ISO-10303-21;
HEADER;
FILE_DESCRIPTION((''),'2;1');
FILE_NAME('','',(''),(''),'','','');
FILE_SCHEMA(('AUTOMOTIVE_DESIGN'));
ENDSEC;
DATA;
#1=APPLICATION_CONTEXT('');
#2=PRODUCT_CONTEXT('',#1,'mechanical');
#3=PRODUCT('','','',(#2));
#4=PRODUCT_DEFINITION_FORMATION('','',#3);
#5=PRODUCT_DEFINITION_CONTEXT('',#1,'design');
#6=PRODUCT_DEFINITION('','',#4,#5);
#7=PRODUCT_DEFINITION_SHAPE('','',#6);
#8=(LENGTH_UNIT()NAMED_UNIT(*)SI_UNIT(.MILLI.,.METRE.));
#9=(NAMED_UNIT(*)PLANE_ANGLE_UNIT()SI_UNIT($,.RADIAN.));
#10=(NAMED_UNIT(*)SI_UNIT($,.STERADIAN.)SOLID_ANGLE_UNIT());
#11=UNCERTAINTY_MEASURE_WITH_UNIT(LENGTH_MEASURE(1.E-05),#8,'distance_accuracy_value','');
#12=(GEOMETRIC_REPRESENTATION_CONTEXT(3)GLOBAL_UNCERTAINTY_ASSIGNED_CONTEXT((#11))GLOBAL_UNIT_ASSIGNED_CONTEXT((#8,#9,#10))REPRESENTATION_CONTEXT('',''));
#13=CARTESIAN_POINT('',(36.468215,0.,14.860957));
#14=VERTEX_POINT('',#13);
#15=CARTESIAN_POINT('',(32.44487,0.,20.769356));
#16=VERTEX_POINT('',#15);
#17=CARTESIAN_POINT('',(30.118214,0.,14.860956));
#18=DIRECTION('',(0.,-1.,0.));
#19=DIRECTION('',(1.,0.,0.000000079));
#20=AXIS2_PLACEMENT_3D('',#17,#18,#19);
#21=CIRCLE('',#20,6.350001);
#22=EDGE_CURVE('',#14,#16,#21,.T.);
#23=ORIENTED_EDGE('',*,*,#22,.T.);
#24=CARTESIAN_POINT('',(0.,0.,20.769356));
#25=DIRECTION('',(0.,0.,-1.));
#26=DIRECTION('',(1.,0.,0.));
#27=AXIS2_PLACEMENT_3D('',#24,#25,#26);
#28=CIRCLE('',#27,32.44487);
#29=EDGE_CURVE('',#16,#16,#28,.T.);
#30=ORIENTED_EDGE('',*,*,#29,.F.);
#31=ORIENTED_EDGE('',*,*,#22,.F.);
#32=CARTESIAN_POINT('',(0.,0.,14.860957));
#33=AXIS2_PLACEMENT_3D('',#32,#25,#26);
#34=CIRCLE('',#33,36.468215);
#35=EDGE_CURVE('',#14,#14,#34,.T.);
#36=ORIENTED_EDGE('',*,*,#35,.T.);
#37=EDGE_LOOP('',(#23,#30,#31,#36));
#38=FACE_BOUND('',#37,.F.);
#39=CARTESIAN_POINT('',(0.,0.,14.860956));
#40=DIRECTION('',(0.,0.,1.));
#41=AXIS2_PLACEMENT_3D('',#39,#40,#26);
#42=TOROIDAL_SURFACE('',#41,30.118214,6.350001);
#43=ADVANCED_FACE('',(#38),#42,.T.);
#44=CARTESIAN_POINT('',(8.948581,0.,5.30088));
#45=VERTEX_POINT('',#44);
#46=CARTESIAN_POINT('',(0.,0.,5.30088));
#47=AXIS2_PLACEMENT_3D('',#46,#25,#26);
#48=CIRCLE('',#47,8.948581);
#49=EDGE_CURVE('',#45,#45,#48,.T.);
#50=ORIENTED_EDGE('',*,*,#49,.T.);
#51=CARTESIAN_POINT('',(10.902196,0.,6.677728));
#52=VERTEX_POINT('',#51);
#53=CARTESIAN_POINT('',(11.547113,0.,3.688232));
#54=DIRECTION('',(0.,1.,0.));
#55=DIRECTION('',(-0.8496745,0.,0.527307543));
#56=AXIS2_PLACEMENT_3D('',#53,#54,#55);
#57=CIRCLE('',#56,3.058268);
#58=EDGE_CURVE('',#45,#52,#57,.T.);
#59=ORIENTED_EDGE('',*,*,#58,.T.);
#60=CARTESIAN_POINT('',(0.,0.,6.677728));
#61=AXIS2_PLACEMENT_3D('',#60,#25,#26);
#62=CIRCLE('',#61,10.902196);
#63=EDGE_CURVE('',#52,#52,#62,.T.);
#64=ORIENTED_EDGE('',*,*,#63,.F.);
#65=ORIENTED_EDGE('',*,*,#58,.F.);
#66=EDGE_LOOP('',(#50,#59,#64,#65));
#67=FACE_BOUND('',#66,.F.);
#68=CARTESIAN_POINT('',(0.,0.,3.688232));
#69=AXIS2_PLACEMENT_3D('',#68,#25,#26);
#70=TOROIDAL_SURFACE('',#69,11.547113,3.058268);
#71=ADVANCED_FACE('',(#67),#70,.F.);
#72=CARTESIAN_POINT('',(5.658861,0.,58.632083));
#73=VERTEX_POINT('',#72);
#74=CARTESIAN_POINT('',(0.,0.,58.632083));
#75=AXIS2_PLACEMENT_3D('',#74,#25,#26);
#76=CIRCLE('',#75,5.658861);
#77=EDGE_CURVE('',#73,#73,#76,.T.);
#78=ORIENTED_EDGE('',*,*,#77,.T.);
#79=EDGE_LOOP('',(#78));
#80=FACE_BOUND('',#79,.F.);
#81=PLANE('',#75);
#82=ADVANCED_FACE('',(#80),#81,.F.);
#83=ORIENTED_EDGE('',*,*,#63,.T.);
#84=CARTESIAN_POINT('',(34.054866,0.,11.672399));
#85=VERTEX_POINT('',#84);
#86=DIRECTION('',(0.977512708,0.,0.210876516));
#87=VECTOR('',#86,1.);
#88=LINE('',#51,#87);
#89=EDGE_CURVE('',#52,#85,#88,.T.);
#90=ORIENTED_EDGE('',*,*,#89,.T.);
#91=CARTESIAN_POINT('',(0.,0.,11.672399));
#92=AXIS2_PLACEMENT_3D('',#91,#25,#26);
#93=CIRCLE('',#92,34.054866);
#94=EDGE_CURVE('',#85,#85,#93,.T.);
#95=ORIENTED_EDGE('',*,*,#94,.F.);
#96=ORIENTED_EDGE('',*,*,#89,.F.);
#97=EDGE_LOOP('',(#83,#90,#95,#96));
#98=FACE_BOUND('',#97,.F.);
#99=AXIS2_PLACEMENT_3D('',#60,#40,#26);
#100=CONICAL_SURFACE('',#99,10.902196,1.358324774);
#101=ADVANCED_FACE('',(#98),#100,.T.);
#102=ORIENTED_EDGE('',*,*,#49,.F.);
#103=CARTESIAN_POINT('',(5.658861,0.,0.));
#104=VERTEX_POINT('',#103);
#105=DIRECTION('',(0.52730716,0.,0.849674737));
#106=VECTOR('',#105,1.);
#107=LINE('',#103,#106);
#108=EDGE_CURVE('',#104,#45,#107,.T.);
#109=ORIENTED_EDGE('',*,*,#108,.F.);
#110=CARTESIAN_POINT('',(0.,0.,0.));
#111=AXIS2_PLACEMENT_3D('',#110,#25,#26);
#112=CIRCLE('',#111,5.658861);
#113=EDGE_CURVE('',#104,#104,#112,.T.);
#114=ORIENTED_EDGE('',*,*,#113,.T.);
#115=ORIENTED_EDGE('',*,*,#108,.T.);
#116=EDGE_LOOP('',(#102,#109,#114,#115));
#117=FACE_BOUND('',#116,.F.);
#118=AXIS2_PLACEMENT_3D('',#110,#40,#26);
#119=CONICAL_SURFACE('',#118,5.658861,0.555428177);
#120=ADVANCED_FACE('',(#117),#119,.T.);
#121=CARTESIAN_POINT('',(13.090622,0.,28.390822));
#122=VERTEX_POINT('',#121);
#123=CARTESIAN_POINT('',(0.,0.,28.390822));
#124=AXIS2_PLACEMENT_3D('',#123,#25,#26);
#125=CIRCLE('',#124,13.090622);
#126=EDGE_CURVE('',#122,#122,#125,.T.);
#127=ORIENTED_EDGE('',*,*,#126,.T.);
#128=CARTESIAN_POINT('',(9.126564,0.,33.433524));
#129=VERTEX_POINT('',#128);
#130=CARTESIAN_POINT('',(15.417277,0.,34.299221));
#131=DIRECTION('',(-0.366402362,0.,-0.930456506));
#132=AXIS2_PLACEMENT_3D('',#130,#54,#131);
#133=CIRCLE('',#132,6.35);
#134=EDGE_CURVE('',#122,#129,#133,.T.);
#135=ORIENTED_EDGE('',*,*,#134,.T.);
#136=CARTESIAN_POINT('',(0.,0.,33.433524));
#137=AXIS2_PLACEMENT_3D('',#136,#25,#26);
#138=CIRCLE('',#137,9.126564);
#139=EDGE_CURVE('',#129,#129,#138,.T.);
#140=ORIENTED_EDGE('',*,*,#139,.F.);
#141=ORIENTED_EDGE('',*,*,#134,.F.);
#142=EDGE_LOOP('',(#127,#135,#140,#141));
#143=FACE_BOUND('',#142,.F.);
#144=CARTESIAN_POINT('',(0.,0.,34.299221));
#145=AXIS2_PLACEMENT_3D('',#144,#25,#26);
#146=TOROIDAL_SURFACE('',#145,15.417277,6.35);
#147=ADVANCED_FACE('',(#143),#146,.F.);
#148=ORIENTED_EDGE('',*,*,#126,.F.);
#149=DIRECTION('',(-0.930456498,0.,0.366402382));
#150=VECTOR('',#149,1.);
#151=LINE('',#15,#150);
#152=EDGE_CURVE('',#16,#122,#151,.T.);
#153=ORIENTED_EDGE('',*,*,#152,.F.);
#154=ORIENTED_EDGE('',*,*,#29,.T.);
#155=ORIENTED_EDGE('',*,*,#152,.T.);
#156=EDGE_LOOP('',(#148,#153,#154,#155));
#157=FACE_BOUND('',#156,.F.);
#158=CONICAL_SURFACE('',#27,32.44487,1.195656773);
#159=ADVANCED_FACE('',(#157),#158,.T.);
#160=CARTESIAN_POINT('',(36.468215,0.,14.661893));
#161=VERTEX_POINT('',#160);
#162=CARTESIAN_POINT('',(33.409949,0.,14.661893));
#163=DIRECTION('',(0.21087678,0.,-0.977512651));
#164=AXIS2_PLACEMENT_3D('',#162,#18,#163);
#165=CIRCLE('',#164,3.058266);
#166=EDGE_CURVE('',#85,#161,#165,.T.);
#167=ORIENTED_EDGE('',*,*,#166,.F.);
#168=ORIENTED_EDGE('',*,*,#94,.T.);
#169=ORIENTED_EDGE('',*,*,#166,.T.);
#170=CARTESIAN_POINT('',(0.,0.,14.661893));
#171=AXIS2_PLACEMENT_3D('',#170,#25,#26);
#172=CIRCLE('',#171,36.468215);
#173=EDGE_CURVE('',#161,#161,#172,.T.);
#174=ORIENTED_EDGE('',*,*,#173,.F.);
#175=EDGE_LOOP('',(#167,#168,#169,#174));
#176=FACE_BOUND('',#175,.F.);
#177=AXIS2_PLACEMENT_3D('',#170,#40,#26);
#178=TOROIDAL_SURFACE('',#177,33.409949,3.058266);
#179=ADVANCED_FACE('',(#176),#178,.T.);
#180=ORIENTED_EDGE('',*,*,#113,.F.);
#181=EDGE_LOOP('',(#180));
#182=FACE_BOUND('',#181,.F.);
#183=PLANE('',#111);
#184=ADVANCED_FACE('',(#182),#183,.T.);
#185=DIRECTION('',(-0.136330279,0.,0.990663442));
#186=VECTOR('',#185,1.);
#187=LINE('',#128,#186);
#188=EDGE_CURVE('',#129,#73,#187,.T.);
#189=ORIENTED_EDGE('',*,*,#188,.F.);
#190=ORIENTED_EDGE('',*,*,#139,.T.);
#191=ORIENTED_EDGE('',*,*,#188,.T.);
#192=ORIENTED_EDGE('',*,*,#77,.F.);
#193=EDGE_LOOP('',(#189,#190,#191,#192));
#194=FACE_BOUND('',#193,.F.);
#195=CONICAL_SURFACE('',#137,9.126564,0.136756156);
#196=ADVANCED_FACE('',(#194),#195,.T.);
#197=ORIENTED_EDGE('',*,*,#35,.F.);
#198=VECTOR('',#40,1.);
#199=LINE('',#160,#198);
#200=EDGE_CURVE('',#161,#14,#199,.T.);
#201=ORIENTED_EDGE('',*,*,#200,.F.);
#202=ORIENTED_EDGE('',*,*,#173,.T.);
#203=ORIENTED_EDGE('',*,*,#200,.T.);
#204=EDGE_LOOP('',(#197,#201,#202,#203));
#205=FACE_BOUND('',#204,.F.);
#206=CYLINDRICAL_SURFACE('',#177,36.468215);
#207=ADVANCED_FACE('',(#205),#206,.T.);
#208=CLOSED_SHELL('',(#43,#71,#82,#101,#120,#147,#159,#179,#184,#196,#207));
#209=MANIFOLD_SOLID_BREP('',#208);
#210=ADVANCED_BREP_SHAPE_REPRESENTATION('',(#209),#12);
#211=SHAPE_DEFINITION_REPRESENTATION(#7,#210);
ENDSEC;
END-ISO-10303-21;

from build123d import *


with BuildPart() as f1:
    # F0 (on Front) → F1 (revolve)
    with BuildSketch(Plane.XZ):
        with BuildLine():
            Line((0, 58.632083), (0, 0))
            Line((0, 0), (5.658861, 0))
            Line((5.658861, 0), (8.948581, 5.30088))
            ThreePointArc((8.948581, 5.30088), (9.785319, 6.188049), (10.902196, 6.677728))
            Line((10.902196, 6.677728), (34.054866, 11.672399))
            ThreePointArc((34.054866, 11.672399), (35.789583, 12.740869), (36.468215, 14.661893))
            Line((36.468215, 14.661893), (36.468215, 14.860957))
            ThreePointArc((36.468215, 14.860957), (35.36687, 18.435047), (32.44487, 20.769356))
            Line((32.44487, 20.769356), (13.090622, 28.390822))
            ThreePointArc((13.090622, 28.390822), (10.425086, 30.37487), (9.126564, 33.433524))
            Line((9.126564, 33.433524), (5.658861, 58.632083))
            Line((5.658861, 58.632083), (0, 58.632083))
        make_face()
    revolve(axis=Axis((0, 0, 29.316042), (0, 0, -1)))


solid = f1.part
